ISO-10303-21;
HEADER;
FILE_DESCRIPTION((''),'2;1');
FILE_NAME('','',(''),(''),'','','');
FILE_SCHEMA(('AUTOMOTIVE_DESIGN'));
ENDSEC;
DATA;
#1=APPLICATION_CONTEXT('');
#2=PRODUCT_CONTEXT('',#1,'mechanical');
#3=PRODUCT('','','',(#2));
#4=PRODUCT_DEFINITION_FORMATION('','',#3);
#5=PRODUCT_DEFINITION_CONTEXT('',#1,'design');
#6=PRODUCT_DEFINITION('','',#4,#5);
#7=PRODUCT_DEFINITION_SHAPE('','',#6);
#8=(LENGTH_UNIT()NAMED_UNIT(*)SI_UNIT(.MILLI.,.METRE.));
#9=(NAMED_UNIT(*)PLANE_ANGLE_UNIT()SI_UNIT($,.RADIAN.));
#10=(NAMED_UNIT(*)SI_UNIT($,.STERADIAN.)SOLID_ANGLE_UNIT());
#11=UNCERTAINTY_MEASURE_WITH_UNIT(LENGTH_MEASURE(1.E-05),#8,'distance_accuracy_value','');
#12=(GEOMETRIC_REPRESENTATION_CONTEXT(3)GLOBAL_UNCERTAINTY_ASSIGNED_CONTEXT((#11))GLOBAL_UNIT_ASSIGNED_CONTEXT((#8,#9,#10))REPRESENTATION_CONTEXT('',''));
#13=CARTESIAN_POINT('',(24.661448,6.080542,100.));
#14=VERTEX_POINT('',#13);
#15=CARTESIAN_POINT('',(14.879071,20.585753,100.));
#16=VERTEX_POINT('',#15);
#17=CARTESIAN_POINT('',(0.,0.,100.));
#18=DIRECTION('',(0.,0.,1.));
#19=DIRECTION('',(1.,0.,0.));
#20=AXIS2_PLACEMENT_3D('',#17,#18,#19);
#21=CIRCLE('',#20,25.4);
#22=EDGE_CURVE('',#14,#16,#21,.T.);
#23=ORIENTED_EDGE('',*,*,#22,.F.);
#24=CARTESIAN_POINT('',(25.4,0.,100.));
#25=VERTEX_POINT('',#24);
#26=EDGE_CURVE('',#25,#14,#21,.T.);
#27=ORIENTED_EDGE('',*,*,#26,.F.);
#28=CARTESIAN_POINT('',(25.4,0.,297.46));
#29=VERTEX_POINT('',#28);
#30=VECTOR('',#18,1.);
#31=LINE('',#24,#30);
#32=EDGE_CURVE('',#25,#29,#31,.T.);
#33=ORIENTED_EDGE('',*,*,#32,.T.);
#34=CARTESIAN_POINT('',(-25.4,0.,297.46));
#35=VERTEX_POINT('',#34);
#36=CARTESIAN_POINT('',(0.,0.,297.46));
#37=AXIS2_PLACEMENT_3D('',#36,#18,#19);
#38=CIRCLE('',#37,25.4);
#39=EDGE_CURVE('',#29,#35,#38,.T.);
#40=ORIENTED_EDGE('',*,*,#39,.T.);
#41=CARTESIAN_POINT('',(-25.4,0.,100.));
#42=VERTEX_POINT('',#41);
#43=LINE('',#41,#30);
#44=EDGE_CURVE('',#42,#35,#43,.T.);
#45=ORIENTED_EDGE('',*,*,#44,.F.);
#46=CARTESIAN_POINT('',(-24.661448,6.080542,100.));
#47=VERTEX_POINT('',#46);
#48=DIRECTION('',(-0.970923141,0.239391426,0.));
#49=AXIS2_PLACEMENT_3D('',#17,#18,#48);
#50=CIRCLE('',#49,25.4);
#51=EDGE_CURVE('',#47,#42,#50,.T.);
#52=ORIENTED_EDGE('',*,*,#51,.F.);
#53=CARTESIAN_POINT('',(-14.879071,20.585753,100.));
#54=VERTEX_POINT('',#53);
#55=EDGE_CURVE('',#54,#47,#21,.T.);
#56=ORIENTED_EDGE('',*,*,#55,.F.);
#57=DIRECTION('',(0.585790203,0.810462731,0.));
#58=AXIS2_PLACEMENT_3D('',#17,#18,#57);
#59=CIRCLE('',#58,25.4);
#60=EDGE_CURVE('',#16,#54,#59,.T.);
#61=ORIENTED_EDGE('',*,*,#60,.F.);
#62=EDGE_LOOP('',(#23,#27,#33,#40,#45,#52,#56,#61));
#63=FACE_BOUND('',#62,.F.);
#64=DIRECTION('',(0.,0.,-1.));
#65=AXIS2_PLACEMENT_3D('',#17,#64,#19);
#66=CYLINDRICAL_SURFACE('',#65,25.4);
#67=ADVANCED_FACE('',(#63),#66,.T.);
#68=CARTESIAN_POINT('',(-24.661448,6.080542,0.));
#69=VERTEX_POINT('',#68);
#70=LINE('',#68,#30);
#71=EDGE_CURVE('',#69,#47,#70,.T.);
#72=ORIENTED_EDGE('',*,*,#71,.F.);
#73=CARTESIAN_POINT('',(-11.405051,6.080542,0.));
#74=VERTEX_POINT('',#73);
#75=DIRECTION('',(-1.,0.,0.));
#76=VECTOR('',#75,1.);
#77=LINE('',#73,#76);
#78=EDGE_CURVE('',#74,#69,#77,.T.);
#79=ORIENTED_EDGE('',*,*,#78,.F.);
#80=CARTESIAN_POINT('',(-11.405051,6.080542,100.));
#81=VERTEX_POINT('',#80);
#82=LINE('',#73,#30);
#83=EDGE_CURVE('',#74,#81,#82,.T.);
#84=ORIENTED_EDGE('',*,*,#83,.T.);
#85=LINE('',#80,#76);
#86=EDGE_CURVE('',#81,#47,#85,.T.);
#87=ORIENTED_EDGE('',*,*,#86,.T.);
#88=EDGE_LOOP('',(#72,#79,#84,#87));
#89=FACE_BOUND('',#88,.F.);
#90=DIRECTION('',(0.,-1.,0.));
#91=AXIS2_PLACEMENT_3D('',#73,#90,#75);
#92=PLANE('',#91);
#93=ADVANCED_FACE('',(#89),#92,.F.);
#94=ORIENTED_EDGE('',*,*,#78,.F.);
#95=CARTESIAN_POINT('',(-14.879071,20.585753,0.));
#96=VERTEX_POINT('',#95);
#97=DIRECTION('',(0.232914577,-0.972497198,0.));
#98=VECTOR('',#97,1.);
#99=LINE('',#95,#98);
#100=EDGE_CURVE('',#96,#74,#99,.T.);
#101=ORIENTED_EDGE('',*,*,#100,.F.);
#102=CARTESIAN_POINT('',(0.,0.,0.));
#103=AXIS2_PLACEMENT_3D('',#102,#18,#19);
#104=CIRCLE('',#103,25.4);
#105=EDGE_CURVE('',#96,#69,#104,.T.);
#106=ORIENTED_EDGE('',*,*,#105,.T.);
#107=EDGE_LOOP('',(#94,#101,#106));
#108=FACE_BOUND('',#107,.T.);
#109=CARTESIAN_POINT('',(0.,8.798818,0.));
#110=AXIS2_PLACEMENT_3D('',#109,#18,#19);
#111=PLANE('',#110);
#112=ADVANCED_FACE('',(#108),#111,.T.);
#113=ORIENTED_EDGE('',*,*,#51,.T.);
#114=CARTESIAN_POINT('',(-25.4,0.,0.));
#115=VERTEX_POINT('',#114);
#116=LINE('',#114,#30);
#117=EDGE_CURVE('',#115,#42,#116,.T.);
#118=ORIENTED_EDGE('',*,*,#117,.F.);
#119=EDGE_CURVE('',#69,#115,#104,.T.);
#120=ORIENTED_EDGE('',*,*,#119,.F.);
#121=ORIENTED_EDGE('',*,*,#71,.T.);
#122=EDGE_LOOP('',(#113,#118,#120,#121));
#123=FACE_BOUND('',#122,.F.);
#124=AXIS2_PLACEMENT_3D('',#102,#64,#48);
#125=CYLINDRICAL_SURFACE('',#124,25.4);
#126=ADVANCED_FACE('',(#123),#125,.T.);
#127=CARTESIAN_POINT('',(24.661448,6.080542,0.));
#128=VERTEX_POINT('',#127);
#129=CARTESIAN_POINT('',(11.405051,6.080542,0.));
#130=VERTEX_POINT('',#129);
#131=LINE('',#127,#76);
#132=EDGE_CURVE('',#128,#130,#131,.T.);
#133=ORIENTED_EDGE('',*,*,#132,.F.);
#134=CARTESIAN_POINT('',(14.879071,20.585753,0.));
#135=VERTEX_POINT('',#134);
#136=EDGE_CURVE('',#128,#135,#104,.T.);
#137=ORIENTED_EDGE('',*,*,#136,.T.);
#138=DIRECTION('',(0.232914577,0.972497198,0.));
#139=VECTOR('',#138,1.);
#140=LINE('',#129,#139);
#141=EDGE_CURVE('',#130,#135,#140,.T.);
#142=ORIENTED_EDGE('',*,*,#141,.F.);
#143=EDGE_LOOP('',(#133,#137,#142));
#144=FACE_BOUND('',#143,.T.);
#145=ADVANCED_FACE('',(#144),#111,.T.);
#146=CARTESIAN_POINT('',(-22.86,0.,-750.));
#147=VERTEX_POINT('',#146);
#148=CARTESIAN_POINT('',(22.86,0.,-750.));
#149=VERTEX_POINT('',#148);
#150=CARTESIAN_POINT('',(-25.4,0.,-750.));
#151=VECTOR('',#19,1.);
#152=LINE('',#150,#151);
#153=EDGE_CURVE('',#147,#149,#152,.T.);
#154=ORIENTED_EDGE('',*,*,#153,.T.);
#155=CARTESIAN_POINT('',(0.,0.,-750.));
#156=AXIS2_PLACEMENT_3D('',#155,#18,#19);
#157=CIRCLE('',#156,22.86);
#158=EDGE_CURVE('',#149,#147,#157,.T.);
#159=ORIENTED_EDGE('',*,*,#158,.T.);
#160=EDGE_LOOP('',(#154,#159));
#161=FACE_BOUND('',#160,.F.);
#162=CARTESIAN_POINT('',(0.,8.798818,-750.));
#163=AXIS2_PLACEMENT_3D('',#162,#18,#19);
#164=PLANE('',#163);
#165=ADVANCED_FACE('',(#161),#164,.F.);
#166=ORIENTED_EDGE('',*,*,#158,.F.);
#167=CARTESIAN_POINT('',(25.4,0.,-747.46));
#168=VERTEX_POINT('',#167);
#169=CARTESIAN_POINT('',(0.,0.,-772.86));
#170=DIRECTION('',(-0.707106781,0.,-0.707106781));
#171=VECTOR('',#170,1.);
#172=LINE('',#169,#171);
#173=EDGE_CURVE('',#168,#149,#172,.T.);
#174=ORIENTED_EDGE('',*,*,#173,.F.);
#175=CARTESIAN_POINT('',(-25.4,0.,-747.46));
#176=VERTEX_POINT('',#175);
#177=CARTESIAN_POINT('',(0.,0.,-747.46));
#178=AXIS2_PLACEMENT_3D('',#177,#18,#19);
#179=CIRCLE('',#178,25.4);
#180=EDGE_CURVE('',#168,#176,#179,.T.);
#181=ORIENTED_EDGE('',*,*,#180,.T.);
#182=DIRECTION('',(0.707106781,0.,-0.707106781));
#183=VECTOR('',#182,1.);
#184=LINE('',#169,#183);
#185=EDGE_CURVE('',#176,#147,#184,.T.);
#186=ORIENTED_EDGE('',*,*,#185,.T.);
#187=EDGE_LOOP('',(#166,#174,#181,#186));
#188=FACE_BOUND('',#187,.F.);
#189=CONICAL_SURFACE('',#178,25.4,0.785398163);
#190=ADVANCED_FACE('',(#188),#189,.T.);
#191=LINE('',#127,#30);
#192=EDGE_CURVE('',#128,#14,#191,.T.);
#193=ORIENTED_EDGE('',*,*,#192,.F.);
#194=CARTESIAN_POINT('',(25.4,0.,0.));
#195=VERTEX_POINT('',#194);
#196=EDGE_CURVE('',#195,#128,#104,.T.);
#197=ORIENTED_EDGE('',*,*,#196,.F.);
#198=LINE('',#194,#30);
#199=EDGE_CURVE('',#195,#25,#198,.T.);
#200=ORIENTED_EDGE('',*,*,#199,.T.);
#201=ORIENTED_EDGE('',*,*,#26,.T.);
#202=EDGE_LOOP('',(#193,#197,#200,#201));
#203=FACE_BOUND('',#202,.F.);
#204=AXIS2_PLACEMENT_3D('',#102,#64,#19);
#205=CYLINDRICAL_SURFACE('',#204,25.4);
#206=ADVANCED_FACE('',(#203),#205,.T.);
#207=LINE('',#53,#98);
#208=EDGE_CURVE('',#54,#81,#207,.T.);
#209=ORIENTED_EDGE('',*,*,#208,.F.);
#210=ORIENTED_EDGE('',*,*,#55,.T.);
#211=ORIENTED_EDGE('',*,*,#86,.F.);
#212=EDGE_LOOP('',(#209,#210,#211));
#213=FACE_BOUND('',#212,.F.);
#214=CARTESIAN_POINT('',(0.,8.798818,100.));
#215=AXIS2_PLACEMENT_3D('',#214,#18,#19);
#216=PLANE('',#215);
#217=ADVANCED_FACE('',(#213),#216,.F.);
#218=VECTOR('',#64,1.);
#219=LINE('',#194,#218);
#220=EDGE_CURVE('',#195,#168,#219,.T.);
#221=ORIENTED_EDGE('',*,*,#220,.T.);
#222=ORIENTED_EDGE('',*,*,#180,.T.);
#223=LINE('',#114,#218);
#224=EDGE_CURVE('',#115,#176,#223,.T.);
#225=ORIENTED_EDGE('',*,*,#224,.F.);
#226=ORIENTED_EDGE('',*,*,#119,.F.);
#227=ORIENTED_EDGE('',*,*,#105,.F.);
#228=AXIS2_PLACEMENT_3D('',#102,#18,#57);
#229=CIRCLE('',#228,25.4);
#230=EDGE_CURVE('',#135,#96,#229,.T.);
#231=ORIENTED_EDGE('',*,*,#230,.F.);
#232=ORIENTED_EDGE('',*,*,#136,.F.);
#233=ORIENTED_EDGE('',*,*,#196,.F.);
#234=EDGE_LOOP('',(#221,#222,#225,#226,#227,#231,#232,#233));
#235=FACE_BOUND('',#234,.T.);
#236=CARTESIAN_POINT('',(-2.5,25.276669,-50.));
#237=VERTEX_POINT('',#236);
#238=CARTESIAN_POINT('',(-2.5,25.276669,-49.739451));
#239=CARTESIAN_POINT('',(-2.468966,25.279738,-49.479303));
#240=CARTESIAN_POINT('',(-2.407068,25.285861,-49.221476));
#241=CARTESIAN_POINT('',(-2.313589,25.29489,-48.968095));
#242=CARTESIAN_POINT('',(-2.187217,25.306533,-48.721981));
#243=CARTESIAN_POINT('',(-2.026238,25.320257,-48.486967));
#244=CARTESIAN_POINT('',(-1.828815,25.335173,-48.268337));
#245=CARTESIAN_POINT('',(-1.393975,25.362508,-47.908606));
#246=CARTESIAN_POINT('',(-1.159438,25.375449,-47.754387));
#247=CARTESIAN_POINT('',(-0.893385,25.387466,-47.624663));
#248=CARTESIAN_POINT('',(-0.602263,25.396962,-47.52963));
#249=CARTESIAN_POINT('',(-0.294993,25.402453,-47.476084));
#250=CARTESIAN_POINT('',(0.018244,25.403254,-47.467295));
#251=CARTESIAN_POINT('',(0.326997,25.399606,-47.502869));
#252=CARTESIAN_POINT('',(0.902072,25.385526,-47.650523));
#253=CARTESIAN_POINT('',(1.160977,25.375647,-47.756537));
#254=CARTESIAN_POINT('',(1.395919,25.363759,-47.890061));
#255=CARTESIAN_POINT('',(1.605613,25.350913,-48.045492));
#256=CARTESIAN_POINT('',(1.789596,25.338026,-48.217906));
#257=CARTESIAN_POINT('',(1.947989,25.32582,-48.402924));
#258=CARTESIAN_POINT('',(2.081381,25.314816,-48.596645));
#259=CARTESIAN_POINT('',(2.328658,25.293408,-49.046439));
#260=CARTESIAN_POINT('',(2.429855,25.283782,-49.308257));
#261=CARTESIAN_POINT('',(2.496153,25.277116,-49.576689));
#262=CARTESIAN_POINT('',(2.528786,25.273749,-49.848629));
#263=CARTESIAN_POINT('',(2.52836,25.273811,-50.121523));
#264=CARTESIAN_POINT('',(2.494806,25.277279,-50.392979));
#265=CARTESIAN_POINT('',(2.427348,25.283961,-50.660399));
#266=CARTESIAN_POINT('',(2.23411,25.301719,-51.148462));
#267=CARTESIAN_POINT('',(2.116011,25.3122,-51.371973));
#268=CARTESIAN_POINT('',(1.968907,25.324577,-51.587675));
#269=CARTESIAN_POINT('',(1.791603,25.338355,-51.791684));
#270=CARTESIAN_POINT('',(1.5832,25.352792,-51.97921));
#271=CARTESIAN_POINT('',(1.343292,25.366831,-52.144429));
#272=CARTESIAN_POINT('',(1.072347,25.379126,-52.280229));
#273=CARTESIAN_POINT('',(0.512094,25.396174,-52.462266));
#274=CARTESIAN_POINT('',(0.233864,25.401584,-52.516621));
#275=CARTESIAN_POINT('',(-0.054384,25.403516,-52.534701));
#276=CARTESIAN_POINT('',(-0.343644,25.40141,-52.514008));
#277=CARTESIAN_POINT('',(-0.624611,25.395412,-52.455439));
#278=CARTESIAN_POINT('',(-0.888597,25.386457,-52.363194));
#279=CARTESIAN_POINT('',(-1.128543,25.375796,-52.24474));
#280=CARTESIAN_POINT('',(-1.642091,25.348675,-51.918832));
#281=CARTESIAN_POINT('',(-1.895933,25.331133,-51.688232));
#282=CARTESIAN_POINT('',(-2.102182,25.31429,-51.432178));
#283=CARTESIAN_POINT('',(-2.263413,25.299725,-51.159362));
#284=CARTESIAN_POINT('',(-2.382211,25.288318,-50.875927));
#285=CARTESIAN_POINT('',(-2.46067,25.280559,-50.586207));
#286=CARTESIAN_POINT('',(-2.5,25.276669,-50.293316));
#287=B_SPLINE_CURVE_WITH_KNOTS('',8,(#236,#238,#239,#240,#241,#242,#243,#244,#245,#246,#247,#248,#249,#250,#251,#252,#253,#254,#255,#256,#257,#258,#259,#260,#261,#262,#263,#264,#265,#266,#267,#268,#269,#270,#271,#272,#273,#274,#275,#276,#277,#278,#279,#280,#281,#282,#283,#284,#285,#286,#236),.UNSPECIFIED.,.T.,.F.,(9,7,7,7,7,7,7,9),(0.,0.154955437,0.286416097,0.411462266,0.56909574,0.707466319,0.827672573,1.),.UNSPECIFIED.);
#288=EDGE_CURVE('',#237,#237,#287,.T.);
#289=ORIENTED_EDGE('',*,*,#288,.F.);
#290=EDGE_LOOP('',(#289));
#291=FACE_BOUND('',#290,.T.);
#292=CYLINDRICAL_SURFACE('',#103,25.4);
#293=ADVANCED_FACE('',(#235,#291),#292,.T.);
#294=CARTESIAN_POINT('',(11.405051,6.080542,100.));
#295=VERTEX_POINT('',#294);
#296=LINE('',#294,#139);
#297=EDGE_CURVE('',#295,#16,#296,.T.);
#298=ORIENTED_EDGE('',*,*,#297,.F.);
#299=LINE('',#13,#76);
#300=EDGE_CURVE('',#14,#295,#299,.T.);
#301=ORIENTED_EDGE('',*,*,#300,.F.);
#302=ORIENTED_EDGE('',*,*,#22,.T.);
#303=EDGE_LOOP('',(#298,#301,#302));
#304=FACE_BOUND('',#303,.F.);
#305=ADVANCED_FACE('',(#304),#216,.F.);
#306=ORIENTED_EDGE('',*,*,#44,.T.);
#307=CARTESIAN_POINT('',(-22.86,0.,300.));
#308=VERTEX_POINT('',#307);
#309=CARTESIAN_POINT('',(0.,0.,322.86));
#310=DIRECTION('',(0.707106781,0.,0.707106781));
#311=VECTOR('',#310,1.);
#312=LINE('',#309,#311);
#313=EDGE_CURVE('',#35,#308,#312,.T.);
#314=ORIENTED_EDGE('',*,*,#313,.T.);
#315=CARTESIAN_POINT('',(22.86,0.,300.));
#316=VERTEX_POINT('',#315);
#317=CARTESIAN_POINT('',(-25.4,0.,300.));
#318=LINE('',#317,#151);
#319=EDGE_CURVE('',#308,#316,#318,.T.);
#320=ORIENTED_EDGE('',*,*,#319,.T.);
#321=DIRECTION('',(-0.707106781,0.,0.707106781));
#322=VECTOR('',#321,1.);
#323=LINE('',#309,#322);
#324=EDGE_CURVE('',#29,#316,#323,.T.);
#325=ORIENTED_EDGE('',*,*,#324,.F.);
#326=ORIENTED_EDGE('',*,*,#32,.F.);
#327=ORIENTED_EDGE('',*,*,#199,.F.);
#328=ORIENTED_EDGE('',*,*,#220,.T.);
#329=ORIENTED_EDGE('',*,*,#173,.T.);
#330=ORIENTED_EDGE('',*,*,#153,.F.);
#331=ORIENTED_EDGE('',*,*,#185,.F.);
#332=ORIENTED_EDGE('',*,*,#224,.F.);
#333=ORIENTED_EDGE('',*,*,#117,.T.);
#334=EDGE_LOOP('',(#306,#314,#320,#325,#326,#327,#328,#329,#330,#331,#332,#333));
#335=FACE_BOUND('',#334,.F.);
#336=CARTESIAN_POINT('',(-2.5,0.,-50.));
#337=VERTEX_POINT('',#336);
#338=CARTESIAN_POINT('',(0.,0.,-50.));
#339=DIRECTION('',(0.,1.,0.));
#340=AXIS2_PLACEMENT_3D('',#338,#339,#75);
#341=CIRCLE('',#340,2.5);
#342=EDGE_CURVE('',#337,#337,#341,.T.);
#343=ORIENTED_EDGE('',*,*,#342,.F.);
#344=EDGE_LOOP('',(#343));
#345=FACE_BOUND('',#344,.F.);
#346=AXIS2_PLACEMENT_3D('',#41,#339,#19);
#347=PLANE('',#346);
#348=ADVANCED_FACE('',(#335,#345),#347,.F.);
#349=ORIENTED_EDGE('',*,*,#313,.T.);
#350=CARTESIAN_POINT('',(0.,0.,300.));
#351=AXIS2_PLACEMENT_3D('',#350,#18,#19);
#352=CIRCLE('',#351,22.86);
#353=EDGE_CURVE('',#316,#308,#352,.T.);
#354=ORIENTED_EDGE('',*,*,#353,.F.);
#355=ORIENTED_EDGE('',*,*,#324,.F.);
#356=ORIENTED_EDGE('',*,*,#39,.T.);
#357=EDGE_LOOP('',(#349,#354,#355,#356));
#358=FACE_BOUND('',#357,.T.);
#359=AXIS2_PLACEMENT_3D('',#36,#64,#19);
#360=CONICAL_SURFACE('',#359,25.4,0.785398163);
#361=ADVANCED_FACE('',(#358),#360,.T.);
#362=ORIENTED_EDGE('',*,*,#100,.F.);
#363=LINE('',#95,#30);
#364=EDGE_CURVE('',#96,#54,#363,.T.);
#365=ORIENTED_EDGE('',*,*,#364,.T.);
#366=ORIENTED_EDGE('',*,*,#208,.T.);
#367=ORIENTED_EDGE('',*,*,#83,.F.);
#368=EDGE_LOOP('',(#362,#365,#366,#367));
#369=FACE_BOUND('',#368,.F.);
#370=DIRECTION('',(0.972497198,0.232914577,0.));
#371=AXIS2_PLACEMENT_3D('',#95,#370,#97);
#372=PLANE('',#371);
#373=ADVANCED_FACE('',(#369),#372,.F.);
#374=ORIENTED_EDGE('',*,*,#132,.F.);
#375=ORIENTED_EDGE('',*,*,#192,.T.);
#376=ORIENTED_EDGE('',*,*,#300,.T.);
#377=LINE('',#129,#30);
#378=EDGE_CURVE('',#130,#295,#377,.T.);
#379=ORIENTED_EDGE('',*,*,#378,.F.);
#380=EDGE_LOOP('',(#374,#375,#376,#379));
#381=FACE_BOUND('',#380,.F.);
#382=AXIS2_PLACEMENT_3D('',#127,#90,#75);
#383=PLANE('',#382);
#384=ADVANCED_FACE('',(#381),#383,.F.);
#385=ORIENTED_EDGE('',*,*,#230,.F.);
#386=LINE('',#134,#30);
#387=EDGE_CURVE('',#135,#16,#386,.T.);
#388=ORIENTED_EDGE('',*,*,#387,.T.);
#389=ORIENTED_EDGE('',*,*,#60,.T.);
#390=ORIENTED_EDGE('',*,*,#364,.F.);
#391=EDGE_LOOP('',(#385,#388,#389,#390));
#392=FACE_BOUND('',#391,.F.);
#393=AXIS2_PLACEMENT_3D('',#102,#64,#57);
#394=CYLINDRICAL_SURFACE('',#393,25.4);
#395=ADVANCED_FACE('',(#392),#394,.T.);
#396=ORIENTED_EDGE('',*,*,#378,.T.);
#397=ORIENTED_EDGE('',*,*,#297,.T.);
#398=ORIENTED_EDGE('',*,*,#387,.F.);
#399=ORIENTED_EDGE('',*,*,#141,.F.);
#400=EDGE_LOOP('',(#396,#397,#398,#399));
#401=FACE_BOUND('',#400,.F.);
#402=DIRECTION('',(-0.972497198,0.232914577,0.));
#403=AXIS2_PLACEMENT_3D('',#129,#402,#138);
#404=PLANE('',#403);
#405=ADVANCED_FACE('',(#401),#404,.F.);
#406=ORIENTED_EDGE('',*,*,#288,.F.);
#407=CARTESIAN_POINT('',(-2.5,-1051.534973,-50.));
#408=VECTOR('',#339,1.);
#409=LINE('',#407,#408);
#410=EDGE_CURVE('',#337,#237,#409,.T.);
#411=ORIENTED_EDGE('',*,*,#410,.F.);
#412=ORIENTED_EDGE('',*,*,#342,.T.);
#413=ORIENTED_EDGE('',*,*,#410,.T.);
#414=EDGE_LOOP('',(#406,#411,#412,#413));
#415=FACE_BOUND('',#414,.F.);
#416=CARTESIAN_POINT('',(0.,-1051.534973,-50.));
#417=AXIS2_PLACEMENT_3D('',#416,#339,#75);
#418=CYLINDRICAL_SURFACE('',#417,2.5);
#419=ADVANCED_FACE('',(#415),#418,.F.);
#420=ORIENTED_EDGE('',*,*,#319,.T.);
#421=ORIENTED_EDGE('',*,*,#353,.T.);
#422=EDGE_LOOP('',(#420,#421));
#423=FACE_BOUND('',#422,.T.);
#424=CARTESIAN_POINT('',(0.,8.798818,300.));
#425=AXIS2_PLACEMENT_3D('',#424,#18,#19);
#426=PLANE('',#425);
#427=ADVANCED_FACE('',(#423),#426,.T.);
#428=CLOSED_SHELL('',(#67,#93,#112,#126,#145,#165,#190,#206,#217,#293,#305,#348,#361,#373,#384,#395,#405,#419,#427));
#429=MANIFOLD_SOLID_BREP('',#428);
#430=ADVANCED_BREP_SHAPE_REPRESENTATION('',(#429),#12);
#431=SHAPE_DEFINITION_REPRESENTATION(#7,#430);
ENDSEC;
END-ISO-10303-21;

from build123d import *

# Parameters (mm, degrees)
F2_DEPTH = 750
F3_DEPTH = 100
F5_START = 100
F5_DEPTH = 200
F6_SIZE  = 2.54
F7_SIZE  = 2.54
F9_D     = 5


with BuildPart() as f2:
    # F0 (on Top) → F2 (new body)
    with BuildSketch(Plane.XY):
        with BuildLine():
            Line((-25.4, 0), (25.4, 0))
            ThreePointArc((25.4, 0), (0, 25.4), (-25.4, 0))
        make_face()
    extrude(amount=-F2_DEPTH)

    # F1 (on Top) → F3 (join)
    with BuildSketch(Plane.XY):
        with BuildLine():
            Line((-25.4, 0), (25.4, 0))
            ThreePointArc((25.4, 0), (25.2146859333, 3.0626154324), (24.6614477727, 6.0805422254))
            Line((24.6614477727, 6.0805422254), (11.4050507545, 6.0805422254))
            Line((11.4050507545, 6.0805422254), (14.879071159, 20.5857533611))
            ThreePointArc((14.879071159, 20.5857533611), (0, 25.4), (-14.879071159, 20.5857533611))
            Line((-14.879071159, 20.5857533611), (-11.4050507545, 6.0805422254))
            Line((-11.4050507545, 6.0805422254), (-24.6614477727, 6.0805422254))
            ThreePointArc((-24.6614477727, 6.0805422254), (-25.2146859333, 3.0626154324), (-25.4, 0))
        make_face()
    extrude(amount=F3_DEPTH)

    # F4 (on Top) → F5 (join)
    with BuildSketch(Plane.XY.offset(F5_START)):
        with BuildLine():
            Line((-25.4, 0), (25.4, 0))
            ThreePointArc((25.4, 0), (0, 25.4), (-25.4, 0))
        make_face()
    extrude(amount=F5_DEPTH)

    # F6
    f6_edges = [f2.edges().sort_by_distance(p)[0] for p in [
        (0, 25.4, -750),
    ]]
    chamfer(f6_edges, length=F6_SIZE)

    # F7
    f7_edges = [f2.edges().sort_by_distance(p)[0] for p in [
        (0, 25.4, 300),
    ]]
    chamfer(f7_edges, length=F7_SIZE)

    # F9 (through all)
    with Locations(Plane.XZ):
        with Locations((0, -50)):
            Hole(F9_D / 2)


solid = f2.part
